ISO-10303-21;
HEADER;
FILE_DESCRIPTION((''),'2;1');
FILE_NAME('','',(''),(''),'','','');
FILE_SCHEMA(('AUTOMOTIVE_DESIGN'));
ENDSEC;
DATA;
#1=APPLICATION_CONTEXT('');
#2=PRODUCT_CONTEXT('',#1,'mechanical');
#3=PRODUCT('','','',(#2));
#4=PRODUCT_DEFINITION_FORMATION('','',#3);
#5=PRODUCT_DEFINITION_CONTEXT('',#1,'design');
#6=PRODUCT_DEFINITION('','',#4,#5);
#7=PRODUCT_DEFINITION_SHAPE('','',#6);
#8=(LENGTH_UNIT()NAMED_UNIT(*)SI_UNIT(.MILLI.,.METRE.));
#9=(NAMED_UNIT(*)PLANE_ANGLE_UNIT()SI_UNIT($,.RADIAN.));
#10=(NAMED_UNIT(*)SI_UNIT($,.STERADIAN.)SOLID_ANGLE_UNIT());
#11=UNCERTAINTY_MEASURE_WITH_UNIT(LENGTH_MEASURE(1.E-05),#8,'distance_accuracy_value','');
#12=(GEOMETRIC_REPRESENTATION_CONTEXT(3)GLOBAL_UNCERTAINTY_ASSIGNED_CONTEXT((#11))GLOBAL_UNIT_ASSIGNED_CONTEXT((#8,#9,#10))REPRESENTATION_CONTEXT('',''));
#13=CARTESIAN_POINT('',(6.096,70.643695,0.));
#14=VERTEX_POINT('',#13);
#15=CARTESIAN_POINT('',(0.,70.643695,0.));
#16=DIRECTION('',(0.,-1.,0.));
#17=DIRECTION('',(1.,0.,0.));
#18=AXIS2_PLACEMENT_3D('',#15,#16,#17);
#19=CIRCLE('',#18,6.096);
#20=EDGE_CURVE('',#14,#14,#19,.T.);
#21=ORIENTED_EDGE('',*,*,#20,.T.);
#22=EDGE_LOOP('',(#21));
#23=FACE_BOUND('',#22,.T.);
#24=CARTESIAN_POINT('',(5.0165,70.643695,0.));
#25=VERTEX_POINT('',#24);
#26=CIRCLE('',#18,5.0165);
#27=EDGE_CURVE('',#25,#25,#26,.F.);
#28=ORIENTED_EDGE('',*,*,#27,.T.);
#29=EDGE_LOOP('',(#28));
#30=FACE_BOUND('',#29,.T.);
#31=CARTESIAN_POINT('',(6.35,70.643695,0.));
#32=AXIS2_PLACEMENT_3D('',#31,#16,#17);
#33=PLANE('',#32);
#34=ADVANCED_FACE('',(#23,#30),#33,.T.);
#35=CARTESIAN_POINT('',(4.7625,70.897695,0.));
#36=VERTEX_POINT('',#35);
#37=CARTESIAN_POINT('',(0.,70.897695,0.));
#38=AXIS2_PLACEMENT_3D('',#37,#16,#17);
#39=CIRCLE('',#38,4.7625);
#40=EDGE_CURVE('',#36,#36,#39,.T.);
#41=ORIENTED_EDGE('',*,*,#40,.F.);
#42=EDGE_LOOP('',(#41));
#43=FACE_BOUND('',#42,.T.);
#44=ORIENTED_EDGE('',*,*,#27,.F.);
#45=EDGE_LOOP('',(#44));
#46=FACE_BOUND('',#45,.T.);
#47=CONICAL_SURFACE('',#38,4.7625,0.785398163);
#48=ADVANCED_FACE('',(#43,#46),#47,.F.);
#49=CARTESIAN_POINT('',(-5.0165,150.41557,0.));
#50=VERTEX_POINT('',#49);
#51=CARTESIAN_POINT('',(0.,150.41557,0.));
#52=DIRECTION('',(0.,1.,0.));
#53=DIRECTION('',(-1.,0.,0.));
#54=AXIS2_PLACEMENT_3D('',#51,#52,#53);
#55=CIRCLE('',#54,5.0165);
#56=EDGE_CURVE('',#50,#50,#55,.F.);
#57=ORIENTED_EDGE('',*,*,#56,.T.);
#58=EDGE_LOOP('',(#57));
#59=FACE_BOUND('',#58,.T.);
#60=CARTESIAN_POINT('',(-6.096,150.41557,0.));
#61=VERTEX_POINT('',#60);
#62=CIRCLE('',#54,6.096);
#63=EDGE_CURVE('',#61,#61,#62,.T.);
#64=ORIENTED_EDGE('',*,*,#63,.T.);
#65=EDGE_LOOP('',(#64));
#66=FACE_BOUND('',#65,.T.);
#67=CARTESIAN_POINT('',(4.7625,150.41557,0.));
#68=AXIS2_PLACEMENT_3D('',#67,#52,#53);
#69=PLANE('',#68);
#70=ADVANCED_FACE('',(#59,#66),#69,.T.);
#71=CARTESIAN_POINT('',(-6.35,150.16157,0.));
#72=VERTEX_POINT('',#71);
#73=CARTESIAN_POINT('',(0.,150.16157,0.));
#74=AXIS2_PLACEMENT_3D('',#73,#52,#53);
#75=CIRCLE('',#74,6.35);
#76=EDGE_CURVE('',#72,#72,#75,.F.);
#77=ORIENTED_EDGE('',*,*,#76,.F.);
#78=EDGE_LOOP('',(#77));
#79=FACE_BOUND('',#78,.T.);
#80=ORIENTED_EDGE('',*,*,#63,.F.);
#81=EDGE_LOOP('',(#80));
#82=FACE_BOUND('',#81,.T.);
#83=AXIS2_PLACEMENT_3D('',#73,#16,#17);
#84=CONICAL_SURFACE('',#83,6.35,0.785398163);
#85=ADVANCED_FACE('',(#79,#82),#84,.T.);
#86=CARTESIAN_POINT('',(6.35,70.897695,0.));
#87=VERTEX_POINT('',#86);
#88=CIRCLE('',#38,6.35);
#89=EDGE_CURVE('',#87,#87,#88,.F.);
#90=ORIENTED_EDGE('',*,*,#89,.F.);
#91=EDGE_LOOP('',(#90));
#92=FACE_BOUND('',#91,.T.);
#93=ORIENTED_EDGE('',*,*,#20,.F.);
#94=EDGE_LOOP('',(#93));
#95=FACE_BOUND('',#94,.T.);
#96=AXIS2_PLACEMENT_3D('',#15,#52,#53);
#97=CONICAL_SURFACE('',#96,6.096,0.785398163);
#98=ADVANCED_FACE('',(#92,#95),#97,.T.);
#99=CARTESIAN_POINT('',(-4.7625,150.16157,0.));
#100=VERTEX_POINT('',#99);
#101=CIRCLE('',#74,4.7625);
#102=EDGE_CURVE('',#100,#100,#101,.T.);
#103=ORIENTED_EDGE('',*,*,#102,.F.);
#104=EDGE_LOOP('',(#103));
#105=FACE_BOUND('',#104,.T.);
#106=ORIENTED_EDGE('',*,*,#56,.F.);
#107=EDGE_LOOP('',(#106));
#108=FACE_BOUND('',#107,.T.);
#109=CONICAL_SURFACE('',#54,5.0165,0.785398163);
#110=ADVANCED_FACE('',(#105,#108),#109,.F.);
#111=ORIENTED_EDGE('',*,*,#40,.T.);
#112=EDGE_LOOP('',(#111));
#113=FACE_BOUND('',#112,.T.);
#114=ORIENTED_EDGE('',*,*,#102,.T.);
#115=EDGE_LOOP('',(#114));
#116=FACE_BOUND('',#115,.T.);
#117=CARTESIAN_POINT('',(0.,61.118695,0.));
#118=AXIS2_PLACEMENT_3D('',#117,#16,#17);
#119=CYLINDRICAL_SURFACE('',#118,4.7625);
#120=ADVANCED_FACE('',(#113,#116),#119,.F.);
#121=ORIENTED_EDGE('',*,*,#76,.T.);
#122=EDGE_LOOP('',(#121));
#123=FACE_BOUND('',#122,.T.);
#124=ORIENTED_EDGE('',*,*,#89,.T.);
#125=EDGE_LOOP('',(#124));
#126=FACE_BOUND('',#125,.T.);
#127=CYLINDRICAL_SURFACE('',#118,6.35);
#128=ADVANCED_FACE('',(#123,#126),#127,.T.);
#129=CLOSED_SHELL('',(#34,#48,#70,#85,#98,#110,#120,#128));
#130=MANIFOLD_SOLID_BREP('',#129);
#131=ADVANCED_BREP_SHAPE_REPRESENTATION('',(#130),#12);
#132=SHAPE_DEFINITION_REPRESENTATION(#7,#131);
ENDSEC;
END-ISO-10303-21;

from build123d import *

# Parameters (mm, degrees)
SKETCH1_W     = 1.5875
SKETCH1_H     = 79.771875
CHAMFER1_SIZE = 0.254


with BuildPart() as part:
    # Sketch1 → Revolve1 (revolve)
    with BuildSketch(Plane.XY):
        with Locations((5.55625, 110.529632465)):
            Rectangle(SKETCH1_W, SKETCH1_H)
    revolve(axis=Axis((0, 61.118694965, 0), (0, 1, 0)))

    # Chamfer1
    chamfer1_edges = [part.edges().sort_by_distance(p)[0] for p in [
        (-6.35, 70.643694965, 0),
        (-6.35, 150.415569965, 0),
        (-4.7625, 150.415569965, 0),
        (-4.7625, 70.643694965, 0),
    ]]
    chamfer(chamfer1_edges, length=CHAMFER1_SIZE)


solid = part.part
